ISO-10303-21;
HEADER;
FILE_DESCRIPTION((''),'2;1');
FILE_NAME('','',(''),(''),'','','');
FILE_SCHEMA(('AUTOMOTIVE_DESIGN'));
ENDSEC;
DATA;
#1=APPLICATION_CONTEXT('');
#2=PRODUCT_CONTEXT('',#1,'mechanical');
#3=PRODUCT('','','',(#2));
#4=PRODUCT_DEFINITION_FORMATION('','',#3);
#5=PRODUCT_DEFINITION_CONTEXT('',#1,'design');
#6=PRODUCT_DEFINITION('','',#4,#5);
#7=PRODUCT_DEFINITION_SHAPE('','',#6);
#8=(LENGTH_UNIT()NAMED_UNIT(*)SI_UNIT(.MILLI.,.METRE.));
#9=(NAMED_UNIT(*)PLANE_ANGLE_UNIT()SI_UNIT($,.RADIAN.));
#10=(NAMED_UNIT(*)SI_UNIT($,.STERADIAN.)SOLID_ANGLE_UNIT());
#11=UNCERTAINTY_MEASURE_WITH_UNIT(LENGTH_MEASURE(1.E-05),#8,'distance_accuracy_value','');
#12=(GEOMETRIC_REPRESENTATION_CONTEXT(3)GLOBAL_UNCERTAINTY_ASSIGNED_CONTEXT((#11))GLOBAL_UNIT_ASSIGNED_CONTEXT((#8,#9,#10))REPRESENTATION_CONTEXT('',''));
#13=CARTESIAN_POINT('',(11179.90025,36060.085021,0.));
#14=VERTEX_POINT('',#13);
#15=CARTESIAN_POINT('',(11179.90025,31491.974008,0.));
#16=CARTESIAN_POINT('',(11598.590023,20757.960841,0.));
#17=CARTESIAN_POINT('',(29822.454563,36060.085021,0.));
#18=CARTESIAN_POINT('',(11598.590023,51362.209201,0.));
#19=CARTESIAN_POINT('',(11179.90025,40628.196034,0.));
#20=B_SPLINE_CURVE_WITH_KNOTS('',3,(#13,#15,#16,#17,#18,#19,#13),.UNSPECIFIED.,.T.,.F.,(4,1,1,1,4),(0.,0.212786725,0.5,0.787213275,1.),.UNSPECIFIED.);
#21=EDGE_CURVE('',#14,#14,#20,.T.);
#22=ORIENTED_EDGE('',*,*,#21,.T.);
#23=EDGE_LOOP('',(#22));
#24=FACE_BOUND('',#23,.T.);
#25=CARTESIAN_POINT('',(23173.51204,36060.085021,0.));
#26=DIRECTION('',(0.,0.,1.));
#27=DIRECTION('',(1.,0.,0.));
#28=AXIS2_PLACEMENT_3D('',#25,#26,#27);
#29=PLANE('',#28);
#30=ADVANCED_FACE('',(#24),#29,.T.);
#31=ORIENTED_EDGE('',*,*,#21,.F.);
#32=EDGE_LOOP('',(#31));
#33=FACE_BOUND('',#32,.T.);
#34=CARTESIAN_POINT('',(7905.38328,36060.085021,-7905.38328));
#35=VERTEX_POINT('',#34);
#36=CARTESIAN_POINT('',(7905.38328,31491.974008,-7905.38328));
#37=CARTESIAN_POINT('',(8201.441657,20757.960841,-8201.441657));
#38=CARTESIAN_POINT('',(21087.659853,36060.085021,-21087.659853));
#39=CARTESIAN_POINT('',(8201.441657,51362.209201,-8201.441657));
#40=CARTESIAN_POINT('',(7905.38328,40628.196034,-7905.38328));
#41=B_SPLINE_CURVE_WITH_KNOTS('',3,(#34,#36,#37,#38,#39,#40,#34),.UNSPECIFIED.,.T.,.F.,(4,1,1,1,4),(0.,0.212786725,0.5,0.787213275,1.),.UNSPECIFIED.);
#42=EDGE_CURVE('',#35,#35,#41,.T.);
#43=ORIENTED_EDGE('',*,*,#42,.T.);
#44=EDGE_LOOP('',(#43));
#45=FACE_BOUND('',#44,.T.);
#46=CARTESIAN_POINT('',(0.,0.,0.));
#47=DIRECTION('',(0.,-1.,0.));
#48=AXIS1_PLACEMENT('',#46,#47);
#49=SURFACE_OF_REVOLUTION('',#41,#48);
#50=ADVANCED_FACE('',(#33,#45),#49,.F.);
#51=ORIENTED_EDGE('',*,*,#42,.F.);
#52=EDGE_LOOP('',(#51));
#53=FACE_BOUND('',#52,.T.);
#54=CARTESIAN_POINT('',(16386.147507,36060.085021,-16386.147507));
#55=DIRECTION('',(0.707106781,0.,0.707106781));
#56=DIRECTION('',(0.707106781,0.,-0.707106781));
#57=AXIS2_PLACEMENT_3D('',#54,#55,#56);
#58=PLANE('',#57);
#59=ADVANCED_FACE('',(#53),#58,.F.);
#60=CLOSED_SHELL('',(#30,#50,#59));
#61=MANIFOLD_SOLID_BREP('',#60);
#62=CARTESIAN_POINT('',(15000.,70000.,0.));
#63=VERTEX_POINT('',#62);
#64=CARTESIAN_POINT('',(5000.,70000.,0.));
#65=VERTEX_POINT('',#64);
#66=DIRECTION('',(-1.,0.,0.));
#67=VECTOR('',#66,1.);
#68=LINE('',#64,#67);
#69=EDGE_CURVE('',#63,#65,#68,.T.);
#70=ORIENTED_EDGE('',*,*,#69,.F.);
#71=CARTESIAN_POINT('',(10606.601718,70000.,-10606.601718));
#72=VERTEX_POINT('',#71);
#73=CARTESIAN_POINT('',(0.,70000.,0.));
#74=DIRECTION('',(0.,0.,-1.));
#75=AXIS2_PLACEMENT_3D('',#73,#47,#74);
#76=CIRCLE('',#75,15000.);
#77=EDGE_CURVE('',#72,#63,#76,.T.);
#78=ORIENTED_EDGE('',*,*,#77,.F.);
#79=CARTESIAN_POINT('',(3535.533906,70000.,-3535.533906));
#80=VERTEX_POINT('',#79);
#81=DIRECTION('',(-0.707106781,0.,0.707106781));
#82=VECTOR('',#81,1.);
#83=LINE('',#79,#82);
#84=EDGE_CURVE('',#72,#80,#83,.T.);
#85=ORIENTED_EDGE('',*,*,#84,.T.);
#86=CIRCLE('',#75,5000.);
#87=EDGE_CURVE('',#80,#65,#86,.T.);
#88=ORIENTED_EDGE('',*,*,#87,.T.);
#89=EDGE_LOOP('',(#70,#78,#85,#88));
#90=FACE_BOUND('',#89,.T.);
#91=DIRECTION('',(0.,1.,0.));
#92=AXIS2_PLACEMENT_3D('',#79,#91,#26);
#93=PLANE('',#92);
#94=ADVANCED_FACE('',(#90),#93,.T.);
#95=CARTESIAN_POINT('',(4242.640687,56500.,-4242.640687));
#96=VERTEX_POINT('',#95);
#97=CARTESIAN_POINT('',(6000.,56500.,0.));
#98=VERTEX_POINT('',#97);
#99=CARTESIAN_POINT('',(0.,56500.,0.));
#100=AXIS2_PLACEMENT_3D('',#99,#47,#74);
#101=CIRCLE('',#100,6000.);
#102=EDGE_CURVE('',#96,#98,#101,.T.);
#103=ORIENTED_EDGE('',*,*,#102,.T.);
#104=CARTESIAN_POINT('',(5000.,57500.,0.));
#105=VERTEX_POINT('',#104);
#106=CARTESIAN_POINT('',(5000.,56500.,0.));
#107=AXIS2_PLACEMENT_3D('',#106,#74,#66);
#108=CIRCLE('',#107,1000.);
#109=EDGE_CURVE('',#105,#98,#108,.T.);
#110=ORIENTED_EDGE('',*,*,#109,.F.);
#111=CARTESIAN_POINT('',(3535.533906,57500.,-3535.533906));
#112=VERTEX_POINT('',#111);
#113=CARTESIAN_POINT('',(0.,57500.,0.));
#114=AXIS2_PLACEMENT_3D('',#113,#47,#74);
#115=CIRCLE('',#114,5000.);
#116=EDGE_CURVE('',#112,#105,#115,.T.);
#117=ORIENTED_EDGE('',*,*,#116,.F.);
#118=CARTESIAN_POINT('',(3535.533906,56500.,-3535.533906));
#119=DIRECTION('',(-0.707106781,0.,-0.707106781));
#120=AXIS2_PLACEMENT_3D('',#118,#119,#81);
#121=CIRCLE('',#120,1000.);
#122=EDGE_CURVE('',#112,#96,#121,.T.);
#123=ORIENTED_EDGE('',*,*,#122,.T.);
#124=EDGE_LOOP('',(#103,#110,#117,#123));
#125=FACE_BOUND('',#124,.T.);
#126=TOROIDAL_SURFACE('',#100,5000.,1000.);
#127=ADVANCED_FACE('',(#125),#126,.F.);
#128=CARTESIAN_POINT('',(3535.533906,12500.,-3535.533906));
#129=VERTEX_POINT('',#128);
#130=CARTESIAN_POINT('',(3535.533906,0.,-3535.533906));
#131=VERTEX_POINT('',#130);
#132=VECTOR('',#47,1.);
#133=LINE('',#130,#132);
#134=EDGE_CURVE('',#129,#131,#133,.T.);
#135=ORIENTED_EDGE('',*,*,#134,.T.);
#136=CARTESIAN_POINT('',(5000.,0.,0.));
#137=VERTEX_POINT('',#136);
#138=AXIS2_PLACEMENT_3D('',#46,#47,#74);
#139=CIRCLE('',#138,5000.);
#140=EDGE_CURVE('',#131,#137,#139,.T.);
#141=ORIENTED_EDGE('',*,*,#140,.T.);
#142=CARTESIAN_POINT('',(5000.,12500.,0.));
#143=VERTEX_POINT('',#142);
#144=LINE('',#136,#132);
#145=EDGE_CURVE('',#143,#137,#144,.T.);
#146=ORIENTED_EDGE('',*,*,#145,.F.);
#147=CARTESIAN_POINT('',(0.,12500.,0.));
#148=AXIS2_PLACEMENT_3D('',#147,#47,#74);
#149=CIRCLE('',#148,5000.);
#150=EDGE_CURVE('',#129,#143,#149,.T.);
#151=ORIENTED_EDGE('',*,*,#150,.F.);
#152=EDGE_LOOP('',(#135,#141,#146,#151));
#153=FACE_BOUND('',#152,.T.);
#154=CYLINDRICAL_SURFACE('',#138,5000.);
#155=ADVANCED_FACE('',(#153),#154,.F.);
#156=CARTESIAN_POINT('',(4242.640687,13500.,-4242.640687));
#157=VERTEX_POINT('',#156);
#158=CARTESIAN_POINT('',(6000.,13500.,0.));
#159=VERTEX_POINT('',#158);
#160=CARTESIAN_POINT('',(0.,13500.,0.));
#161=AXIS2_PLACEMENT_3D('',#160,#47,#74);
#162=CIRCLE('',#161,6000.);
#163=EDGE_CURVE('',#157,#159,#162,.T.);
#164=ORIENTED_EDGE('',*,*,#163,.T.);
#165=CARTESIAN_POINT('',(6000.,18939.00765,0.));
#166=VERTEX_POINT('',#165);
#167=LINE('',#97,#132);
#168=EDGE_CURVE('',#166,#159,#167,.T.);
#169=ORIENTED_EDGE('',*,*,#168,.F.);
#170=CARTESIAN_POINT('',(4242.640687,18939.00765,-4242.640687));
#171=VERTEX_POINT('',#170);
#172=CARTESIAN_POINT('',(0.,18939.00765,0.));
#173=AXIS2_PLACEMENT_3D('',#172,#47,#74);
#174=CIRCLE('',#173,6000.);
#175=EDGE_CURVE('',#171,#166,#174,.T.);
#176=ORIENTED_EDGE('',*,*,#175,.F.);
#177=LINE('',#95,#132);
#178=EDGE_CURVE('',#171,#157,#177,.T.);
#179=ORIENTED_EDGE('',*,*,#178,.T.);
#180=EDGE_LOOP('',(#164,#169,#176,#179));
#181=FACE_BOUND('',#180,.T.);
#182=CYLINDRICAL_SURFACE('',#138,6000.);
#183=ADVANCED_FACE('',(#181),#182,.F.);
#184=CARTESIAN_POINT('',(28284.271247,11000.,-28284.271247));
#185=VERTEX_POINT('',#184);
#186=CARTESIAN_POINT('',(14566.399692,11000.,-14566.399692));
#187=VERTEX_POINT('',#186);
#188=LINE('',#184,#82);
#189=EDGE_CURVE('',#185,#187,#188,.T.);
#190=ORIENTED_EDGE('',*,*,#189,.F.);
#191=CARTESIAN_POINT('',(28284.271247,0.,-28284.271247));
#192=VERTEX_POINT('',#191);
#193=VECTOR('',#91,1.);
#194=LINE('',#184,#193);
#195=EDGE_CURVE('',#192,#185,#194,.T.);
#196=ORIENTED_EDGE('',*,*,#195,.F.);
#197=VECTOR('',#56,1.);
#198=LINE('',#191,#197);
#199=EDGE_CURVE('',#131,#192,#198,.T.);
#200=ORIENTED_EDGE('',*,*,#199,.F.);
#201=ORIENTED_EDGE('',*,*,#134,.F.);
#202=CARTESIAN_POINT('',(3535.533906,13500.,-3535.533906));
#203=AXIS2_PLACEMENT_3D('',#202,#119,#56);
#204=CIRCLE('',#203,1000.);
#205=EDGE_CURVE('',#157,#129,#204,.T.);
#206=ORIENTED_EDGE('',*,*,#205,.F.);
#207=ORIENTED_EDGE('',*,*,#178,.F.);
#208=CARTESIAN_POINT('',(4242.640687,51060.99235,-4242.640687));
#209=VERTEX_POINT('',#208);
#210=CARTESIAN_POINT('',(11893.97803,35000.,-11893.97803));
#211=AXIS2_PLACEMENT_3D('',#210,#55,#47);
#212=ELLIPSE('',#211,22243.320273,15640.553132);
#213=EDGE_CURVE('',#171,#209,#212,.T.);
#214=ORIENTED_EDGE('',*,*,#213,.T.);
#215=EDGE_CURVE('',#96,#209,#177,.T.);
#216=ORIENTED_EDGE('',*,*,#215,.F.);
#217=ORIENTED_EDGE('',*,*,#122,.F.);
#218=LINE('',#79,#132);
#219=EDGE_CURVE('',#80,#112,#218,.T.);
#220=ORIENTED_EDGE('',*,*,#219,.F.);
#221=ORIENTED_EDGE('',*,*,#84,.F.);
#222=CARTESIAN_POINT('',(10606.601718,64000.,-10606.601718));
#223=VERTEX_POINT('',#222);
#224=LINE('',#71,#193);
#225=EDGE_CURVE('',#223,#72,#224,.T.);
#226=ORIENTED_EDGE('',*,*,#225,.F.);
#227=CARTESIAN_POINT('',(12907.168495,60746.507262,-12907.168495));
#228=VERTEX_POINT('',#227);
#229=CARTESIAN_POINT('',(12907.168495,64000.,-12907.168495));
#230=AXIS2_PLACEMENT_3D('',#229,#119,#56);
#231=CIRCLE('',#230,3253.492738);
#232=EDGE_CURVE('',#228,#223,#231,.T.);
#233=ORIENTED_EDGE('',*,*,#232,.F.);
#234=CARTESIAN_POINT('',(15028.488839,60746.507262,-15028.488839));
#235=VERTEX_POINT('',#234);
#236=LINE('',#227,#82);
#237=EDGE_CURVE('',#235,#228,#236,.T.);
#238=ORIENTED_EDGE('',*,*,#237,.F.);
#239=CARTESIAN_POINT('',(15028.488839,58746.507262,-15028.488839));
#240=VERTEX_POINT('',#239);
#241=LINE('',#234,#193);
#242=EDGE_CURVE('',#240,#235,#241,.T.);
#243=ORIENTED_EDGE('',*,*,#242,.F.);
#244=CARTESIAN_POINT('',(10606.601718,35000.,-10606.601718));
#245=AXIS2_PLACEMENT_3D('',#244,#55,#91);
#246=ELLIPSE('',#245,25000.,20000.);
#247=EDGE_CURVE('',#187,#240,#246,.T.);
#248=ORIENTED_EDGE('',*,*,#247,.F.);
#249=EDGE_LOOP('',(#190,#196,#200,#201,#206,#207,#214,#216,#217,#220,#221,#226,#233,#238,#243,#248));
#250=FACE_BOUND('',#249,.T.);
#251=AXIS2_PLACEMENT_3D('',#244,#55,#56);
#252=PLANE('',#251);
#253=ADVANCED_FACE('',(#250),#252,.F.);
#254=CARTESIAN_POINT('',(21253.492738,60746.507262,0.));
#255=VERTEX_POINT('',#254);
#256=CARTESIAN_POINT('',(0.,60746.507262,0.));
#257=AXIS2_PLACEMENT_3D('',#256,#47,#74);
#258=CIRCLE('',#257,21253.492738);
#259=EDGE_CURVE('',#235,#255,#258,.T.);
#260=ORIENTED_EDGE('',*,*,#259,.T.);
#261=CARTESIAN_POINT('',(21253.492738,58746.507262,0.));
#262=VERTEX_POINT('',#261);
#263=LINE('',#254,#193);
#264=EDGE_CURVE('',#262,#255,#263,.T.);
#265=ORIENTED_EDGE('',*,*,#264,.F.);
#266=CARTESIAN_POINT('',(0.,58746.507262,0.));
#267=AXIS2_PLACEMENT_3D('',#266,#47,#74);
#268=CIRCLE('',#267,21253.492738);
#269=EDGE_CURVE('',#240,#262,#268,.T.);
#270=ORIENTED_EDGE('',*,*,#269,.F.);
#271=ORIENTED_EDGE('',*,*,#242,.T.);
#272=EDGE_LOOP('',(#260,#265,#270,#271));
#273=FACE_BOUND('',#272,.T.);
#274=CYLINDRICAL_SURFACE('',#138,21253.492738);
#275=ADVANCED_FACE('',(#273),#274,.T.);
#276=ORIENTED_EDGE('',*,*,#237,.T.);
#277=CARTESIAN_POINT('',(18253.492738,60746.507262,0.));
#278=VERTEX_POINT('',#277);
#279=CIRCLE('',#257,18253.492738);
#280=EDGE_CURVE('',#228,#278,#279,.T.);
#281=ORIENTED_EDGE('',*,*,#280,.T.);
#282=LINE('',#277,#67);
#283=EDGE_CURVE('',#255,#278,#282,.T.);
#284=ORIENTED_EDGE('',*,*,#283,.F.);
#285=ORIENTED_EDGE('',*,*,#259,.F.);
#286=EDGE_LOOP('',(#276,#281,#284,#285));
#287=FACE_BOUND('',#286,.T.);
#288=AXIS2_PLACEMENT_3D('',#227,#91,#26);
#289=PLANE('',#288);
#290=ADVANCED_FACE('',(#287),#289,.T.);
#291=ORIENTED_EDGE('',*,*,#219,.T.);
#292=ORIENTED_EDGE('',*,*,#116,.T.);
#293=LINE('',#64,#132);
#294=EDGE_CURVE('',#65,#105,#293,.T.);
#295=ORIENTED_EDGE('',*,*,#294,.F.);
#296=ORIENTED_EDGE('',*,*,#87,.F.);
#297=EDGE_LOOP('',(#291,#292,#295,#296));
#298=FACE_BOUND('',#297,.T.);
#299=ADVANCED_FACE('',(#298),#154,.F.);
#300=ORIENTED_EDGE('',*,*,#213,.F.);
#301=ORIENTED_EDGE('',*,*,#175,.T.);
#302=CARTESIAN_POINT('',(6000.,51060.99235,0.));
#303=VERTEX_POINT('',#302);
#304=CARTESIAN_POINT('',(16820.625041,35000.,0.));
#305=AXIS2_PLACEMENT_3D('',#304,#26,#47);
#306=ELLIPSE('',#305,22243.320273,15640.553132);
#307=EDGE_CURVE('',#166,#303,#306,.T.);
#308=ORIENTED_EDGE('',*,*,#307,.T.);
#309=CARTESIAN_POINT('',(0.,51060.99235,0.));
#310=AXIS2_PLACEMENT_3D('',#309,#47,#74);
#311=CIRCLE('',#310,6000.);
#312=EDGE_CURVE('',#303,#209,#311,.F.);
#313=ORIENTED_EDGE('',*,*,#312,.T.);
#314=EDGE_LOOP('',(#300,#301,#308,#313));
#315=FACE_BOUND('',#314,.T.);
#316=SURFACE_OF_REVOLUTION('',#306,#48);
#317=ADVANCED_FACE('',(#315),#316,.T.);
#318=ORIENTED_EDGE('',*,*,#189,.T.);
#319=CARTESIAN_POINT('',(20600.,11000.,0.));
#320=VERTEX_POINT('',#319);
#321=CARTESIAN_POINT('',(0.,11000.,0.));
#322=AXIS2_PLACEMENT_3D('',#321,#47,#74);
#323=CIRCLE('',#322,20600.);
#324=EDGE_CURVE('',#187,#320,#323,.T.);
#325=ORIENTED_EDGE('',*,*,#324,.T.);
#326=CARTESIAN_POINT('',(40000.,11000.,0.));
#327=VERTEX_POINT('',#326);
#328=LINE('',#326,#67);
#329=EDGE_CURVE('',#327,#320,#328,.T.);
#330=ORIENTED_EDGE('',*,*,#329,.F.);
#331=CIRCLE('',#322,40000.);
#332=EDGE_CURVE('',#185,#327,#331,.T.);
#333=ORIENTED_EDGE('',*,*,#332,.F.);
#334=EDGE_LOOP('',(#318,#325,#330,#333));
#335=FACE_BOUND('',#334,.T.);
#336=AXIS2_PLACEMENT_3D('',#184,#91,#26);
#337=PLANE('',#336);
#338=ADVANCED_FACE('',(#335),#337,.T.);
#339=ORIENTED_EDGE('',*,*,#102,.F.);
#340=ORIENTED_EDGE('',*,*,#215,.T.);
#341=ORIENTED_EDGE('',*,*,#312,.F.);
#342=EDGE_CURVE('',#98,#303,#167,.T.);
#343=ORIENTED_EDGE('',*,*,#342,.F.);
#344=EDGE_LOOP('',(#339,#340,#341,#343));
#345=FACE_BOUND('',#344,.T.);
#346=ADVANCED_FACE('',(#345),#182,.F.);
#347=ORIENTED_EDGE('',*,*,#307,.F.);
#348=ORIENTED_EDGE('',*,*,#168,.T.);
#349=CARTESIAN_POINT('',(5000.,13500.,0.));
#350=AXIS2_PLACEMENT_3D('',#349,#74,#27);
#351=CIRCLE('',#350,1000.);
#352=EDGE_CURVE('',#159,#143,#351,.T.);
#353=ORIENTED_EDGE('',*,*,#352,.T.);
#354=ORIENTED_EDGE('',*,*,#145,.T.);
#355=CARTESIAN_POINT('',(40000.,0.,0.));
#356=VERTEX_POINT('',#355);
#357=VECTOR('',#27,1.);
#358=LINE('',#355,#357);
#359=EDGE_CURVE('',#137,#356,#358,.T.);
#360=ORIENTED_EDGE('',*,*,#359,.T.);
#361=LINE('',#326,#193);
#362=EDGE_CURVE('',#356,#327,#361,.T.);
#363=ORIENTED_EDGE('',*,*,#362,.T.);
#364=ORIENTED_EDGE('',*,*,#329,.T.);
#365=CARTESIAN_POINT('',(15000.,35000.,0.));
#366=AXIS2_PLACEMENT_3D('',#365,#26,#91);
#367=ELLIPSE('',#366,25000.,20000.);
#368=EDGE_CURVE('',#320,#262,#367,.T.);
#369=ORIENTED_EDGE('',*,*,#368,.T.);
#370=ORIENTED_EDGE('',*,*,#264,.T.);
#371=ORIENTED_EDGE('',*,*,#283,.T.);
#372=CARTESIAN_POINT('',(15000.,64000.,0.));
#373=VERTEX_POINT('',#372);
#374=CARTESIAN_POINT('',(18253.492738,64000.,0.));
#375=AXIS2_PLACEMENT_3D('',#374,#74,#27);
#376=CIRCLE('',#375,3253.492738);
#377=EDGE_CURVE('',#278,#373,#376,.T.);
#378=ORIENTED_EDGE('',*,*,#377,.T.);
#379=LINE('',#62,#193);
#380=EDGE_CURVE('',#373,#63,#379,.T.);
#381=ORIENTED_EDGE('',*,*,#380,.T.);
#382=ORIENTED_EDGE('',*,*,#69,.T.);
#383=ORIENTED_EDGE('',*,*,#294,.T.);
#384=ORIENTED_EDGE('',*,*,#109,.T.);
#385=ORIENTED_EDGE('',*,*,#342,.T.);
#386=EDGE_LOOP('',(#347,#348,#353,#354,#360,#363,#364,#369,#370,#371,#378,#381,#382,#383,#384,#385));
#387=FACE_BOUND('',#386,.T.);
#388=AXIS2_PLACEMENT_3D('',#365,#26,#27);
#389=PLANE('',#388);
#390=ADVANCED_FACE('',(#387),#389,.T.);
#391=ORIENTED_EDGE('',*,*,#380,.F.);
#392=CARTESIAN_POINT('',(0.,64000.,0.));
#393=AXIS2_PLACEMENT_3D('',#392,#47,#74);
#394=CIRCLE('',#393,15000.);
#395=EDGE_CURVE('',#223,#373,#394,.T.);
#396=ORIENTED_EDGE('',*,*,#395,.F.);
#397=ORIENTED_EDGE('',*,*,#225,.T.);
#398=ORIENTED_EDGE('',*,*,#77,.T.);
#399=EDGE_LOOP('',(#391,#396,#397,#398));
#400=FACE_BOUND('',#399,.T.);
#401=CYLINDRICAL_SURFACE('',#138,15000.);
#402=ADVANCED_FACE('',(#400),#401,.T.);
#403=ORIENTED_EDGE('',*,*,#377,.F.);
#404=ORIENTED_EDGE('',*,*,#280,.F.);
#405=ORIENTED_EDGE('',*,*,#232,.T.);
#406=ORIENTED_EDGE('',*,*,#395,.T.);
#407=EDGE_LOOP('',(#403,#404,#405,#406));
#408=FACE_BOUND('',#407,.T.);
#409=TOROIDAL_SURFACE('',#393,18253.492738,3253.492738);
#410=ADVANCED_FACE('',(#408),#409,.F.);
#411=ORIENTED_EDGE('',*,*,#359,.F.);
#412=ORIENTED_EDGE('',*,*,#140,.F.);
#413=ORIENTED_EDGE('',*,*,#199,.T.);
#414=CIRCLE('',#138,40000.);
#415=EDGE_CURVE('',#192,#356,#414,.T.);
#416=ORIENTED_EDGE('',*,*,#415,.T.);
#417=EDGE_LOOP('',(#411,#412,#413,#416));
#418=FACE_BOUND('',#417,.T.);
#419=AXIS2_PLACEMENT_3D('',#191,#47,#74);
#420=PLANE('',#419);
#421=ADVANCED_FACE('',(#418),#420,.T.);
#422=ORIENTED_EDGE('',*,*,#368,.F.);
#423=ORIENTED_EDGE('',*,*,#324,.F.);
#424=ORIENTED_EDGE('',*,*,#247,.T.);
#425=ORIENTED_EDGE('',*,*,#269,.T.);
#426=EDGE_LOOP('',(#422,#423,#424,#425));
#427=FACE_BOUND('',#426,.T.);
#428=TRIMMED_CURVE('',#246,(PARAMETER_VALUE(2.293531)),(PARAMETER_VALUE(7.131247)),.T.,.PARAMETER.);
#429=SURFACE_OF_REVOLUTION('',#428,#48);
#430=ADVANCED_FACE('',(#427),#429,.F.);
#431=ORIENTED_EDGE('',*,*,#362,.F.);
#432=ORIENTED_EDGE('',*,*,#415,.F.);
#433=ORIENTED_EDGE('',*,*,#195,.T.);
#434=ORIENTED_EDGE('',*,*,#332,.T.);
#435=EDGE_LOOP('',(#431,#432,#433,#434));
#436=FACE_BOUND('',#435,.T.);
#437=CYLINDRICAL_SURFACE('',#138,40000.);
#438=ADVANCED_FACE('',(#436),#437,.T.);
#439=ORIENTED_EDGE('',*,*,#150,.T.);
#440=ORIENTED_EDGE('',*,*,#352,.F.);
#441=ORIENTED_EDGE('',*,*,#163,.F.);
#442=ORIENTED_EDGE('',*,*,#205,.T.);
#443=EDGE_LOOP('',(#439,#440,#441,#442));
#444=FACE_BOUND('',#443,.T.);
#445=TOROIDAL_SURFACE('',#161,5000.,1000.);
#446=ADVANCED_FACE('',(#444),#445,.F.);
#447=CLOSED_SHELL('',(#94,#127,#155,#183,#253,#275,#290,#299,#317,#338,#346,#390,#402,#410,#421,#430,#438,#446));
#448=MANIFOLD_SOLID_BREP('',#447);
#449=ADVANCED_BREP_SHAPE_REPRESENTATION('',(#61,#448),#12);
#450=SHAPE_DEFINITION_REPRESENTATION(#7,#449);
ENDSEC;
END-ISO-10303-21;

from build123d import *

# Parameters (mm, degrees)
REVOLU_O2_ANGLE = 45
ESBO_O3_RX      = 22243.320272913
ESBO_O3_RY      = 15640.553132373
REVOLU_O3_ANGLE = 45


with BuildPart() as part:
    # Esboço2 → Revolução2 (revolve)
    with BuildSketch(Plane.XY):
        with BuildLine():
            Line((5000, 70000), (5000, 57500))
            ThreePointArc((5000, 57500), (5707.106781187, 57207.106781187), (6000, 56500))
            Line((6000, 56500), (6000, 13500))
            ThreePointArc((6000, 13500), (5707.106781187, 12792.893218813), (5000, 12500))
            Line((5000, 12500), (5000, 0))
            Line((5000, 0), (40000, 0))
            Line((40000, 0), (40000, 11000))
            Line((40000, 11000), (20600, 11000))
            add(Edge.make_bspline(
                [(20600, 11000), (82470.907399998, 33557.10165625), (21253.492737805, 58746.507262195)],
                knots=[3.425386763, 3.425386763, 3.425386763, 5.965177753, 5.965177753, 5.965177753], degree=2, weights=[1, 0.296380684, 1]))
            Line((21253.492737805, 58746.507262195), (21253.492737805, 60746.507262195))
            Line((21253.492737805, 60746.507262195), (18253.492737805, 60746.507262195))
            ThreePointArc((18253.492737805, 60746.507262195), (15952.925960362, 61699.433222557), (15000, 64000))
            Line((15000, 64000), (15000, 70000))
            Line((15000, 70000), (5000, 70000))
        make_face()
    revolve(axis=Axis((0, 0, 0), (0, 1, 0)), revolution_arc=REVOLU_O2_ANGLE)

    # Esboço3 → Corte-Revolução1 (revolve, cut)
    with BuildSketch(Plane.XY):
        with Locations(Location((16820.62504111, 35000), (0, 0, -90))):
            Ellipse(ESBO_O3_RX, ESBO_O3_RY)
    revolve(axis=Axis((0, 0, 0), (0, 1, 0)), mode=Mode.SUBTRACT)


with BuildPart() as body_2:
    # Esboço4 → Revolução3 (revolve)
    with BuildSketch(Plane.XY):
        with BuildLine():
            add(Edge.make_bspline(
                [(11179.900249992, 36060.085021), (11179.900249992, 40628.19603411), (11598.590022909, 51362.209201007), (29822.454563098, 36060.085021), (11598.590022909, 20757.960840993), (11179.900249992, 31491.97400789), (11179.900249992, 36060.085021)],
                knots=[0, 0, 0, 0, 0.212786725, 0.5, 0.787213275, 1, 1, 1, 1], degree=3))
        make_face()
    revolve(axis=Axis((0, 0, 0), (0, 1, 0)), revolution_arc=REVOLU_O3_ANGLE)


solid = Compound([part.part, body_2.part])
